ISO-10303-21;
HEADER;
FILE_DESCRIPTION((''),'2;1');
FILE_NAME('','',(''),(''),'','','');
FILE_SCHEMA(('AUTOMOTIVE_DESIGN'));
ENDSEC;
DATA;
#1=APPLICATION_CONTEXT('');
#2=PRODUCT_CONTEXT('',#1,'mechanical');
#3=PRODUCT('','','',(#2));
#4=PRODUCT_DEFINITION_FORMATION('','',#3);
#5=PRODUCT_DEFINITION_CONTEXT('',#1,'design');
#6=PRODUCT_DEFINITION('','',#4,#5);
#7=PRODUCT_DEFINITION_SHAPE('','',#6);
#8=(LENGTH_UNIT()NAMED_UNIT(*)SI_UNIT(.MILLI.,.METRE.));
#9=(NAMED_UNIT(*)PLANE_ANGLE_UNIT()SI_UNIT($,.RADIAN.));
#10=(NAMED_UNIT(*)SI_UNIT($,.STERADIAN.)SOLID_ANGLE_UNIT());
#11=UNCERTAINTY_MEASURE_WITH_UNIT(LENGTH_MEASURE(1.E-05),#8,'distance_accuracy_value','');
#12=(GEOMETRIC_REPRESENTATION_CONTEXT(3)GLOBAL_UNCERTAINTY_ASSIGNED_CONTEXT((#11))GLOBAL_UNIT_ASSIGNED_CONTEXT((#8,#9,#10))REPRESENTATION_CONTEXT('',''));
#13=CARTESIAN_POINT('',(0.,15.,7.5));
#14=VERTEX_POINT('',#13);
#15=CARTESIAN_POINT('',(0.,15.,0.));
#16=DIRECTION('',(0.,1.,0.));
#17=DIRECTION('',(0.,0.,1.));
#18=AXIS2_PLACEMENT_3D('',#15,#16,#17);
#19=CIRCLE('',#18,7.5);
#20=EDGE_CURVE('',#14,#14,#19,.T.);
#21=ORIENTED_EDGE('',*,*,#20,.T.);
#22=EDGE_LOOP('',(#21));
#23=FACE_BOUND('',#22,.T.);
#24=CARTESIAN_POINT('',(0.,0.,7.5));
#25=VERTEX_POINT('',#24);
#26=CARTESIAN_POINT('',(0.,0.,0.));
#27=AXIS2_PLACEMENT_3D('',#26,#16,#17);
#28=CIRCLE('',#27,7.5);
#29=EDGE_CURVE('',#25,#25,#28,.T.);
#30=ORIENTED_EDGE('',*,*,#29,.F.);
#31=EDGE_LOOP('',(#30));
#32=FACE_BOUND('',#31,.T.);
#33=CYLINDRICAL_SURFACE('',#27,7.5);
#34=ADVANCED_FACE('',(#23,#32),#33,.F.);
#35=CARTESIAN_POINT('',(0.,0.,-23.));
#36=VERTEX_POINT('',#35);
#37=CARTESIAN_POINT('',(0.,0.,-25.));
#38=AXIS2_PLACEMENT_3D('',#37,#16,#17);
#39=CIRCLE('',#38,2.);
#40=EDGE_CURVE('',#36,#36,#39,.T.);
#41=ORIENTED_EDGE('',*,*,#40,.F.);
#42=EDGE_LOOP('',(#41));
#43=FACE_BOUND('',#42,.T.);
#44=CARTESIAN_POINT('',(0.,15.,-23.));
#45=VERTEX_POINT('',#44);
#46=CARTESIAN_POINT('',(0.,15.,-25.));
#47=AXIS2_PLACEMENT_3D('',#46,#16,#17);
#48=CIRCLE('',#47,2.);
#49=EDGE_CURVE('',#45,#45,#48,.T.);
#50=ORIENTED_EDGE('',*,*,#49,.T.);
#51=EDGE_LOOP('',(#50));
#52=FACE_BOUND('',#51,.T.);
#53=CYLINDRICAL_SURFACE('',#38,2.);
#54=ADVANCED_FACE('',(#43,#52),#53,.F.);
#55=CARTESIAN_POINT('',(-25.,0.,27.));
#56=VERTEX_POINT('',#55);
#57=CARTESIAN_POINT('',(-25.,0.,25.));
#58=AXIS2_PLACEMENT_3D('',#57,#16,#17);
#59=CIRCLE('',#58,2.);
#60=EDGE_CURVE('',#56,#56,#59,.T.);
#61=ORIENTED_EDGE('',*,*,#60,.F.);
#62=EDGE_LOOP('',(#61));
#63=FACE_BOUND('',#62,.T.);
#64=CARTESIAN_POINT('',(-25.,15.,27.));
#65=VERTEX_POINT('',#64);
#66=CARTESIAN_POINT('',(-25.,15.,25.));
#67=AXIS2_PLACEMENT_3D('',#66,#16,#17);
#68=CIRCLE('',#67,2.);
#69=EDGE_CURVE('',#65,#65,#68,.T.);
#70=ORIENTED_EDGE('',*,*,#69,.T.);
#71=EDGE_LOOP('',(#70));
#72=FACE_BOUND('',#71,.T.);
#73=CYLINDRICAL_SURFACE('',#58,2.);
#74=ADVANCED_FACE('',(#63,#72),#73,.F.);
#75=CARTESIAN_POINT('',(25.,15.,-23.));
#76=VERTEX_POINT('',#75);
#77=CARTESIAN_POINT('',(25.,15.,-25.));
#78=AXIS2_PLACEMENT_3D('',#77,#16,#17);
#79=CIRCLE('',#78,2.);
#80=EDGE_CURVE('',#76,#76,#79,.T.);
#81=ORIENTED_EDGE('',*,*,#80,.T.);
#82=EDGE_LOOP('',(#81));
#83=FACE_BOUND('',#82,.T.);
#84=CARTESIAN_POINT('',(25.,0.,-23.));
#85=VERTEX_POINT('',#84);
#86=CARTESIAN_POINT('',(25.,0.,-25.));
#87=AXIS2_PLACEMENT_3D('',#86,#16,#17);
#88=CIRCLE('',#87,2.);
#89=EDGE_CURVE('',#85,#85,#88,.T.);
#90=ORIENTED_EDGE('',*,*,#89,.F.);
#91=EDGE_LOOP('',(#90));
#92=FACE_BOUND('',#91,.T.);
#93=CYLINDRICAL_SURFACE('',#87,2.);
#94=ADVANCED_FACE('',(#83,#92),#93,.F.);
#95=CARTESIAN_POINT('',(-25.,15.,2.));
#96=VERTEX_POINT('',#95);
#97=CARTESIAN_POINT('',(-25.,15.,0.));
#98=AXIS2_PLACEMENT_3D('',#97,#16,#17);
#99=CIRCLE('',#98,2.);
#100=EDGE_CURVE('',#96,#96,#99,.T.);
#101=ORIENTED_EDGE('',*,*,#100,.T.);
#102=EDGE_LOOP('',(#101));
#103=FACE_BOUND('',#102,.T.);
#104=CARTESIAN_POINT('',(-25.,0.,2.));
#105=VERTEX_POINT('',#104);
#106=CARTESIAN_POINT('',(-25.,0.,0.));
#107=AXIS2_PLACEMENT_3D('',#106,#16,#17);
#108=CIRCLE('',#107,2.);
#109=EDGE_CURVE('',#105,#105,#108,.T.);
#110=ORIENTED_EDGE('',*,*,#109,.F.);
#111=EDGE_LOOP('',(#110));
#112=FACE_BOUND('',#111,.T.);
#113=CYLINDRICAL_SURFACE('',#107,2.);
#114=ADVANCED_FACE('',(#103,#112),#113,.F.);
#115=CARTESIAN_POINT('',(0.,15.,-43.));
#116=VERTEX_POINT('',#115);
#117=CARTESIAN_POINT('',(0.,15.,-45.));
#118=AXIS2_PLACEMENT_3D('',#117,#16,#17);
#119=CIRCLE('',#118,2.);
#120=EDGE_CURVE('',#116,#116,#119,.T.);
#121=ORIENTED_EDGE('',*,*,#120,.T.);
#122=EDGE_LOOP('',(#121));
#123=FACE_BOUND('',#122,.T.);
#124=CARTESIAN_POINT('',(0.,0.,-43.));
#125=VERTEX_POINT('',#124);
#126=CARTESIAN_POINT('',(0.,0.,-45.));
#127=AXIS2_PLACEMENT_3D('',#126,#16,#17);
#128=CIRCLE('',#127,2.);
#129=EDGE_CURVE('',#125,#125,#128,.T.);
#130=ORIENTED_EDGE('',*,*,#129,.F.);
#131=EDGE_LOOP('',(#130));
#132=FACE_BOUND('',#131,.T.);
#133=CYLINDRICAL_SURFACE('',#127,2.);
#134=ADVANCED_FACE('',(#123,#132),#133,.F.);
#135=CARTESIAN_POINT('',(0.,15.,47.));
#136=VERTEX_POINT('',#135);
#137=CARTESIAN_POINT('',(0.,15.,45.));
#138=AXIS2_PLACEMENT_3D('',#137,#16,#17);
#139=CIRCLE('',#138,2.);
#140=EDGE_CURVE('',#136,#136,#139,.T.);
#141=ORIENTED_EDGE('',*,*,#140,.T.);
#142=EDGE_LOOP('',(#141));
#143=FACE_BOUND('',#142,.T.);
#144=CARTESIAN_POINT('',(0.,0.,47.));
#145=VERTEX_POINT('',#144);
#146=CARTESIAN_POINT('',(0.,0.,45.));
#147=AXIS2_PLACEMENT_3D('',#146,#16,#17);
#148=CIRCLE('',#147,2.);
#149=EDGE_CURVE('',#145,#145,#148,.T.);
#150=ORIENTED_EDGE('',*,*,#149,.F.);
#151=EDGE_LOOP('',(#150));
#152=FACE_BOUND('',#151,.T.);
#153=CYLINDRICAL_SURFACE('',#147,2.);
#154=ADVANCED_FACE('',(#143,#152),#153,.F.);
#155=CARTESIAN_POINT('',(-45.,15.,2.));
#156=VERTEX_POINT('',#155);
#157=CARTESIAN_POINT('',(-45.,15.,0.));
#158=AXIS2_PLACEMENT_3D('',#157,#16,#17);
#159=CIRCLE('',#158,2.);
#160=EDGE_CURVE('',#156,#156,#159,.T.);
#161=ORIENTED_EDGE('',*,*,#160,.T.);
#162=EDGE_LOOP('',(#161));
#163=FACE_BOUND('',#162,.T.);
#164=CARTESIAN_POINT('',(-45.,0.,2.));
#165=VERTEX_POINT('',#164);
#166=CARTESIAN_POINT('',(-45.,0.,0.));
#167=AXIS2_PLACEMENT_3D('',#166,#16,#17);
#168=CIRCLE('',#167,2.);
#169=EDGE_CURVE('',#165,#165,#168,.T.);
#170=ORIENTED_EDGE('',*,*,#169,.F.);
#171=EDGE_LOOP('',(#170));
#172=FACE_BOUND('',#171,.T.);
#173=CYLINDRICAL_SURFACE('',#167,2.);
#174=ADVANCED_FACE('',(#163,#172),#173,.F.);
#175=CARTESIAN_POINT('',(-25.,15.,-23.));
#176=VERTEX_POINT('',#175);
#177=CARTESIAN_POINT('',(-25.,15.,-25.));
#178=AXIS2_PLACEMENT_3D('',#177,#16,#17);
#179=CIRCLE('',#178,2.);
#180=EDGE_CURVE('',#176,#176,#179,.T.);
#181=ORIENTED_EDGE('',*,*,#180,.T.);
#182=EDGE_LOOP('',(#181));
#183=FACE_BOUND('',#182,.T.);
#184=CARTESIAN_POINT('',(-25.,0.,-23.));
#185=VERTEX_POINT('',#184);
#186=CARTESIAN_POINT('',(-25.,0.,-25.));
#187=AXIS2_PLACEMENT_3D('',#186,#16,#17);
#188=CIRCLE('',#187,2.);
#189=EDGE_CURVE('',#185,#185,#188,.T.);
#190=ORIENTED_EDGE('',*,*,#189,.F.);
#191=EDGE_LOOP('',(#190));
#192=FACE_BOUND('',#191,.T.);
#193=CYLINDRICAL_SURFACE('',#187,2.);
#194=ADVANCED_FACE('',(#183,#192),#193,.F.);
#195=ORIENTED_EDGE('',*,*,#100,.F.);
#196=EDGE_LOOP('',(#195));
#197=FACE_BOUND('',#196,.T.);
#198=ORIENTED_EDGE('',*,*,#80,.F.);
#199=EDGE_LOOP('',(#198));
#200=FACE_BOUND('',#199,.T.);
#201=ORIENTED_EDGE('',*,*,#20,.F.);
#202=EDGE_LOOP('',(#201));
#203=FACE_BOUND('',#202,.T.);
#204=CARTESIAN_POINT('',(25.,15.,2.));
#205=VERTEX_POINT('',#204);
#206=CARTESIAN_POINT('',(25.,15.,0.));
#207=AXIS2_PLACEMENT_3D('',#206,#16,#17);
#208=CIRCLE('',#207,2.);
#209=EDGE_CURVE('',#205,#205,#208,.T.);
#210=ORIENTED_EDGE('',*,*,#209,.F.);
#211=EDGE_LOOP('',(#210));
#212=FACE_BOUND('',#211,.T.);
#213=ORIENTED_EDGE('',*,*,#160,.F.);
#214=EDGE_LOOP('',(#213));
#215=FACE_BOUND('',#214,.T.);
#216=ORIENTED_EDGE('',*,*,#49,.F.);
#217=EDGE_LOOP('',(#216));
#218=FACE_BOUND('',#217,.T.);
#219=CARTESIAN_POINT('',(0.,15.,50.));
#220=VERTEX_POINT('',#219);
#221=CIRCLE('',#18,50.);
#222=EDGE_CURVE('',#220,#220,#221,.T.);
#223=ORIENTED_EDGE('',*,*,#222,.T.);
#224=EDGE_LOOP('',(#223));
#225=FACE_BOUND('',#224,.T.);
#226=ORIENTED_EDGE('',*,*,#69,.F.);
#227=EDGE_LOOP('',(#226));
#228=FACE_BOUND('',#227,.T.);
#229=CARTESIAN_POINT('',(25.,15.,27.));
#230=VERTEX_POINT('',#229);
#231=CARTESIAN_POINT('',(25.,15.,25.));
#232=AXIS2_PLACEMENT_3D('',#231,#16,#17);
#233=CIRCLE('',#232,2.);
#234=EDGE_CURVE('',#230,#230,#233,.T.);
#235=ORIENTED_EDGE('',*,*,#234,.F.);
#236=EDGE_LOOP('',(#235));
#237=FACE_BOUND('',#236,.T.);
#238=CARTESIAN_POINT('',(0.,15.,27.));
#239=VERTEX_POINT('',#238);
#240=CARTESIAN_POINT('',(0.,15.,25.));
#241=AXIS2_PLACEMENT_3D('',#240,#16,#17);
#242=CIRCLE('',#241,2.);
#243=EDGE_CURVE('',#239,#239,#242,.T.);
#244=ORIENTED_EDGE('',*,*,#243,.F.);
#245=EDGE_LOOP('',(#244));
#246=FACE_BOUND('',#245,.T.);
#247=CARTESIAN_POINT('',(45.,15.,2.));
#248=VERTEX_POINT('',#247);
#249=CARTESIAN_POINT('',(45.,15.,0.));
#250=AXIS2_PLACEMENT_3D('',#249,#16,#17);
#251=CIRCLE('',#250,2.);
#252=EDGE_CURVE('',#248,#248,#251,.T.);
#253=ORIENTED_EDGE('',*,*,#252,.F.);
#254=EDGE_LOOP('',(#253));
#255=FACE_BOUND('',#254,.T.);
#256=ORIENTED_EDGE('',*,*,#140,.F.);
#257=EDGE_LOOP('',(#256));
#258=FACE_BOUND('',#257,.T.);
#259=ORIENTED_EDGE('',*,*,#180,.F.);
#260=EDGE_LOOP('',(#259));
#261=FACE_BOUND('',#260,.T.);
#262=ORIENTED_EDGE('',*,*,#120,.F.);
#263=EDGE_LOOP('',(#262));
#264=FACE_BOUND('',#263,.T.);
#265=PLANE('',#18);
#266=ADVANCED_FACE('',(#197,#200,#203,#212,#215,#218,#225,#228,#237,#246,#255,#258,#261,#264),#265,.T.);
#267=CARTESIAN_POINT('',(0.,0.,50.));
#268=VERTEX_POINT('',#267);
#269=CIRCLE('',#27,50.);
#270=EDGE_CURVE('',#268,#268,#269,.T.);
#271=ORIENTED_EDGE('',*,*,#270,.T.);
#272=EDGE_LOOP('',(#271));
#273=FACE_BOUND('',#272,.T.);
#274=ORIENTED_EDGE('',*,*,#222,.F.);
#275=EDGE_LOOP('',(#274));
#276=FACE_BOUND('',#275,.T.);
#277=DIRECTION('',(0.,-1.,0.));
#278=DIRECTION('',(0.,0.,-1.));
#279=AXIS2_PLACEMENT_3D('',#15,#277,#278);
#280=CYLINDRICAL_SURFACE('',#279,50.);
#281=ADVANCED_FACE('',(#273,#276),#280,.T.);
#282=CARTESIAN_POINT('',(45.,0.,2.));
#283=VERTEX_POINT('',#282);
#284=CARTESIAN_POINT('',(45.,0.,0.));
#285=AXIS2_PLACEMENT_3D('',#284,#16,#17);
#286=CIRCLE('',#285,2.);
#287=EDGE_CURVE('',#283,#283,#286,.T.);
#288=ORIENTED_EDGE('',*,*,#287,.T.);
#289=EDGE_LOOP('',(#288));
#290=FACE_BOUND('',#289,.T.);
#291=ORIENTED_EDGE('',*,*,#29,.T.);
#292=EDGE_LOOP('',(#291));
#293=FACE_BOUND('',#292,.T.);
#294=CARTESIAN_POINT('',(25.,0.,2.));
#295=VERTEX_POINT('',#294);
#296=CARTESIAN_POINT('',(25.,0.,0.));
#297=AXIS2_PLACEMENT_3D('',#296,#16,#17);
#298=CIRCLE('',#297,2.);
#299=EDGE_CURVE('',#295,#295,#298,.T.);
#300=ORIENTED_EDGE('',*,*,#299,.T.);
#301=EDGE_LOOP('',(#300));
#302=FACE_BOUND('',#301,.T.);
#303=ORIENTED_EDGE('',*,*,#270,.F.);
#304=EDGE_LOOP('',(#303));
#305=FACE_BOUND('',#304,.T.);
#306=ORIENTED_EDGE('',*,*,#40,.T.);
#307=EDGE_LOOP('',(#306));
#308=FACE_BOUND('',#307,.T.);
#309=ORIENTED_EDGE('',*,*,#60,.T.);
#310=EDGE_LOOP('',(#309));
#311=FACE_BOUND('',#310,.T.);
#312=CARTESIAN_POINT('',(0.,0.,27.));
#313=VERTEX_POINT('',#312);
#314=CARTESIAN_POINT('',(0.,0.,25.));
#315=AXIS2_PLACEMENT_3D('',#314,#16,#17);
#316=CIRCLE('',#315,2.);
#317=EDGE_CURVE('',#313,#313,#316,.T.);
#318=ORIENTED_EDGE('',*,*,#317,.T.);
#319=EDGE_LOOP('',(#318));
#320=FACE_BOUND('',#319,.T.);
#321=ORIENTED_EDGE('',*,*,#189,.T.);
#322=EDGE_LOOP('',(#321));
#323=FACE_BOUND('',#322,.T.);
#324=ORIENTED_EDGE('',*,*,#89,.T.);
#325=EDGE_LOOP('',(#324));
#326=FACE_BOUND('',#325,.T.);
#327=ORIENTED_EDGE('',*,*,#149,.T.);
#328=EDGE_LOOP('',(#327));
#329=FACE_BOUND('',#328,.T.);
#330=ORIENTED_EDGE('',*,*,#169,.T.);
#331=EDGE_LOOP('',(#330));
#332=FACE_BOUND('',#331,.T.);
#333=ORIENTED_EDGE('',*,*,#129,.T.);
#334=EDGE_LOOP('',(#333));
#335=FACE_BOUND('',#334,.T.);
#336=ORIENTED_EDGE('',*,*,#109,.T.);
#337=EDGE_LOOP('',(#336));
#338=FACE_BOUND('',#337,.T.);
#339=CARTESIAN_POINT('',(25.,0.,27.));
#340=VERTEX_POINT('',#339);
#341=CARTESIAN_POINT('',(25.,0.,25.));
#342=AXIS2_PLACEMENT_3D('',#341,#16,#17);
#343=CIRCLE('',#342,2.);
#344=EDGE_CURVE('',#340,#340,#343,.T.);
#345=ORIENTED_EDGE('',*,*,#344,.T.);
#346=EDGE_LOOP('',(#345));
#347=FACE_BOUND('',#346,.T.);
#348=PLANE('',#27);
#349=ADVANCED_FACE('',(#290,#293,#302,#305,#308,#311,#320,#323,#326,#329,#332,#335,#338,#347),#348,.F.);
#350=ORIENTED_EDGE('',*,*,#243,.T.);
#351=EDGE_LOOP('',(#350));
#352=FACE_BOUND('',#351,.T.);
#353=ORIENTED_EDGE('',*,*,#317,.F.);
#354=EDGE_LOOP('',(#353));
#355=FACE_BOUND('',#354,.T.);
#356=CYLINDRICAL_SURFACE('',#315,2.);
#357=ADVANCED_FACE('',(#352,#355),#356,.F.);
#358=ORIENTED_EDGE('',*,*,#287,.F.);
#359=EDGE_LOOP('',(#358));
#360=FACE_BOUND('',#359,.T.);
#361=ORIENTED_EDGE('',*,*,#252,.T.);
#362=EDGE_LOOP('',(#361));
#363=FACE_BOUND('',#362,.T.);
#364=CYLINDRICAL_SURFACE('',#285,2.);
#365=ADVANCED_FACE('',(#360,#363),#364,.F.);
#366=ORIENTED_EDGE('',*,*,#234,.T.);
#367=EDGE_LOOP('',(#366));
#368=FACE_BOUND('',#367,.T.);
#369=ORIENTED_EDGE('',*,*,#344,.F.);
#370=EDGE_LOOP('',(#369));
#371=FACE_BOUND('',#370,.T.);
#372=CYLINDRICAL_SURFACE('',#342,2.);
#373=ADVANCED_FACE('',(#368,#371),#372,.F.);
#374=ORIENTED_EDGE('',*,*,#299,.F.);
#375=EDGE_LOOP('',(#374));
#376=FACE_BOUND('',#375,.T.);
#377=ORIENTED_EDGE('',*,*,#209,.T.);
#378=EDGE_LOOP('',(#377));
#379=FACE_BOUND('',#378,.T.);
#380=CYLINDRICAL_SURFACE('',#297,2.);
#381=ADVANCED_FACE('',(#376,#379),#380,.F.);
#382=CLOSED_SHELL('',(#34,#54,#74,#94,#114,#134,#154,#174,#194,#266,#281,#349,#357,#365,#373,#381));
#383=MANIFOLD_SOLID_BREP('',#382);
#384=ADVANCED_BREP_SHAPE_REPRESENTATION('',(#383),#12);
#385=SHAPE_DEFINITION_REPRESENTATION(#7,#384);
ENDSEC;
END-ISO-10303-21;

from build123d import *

# Parameters (mm, degrees)
SKETCH1_R           = 50
BOSS_EXTRUDE1_DEPTH = 15
SKETCH2_R           = 7.5
SKETCH2_R_2         = 2
CUT_EXTRUDE1_DEPTH  = 73.284161474


with BuildPart() as part:
    # Sketch1 → Boss-Extrude1 (new body)
    with BuildSketch(Plane(origin=(0, 0, 0), x_dir=(1, 0, 0), z_dir=(0, 1, 0))):
        with Locations(Location((0, 0, 0), (0, 0, 270))):
            Circle(SKETCH1_R)
    extrude(amount=BOSS_EXTRUDE1_DEPTH)

    # Sketch2 → Cut-Extrude1 (cut, through all)
    with BuildSketch(Plane(origin=(0, 15, 0), x_dir=(1, 0, 0), z_dir=(0, 1, 0))):
        with Locations(Location((0, 0, 0), (0, 0, 270))):
            Circle(SKETCH2_R)
        with Locations(Location((45, 0, 0), (0, 0, 270))):
            Circle(SKETCH2_R_2)
        with Locations(Location((0, -45, 0), (0, 0, 270))):
            Circle(SKETCH2_R_2)
        with Locations(Location((0, -25, 0), (0, 0, 270))):
            Circle(SKETCH2_R_2)
        with Locations(Location((25, -25, 0), (0, 0, 270))):
            Circle(SKETCH2_R_2)
        with Locations(Location((-25, -25, 0), (0, 0, 270))):
            Circle(SKETCH2_R_2)
        with Locations(Location((-25, 0, 0), (0, 0, 270))):
            Circle(SKETCH2_R_2)
        with Locations(Location((-45, 0, 0), (0, 0, 270))):
            Circle(SKETCH2_R_2)
        with Locations(Location((-25, 25, 0), (0, 0, 270))):
            Circle(SKETCH2_R_2)
        with Locations(Location((0, 45, 0), (0, 0, 270))):
            Circle(SKETCH2_R_2)
        with Locations(Location((0, 25, 0), (0, 0, 270))):
            Circle(SKETCH2_R_2)
        with Locations(Location((25, 25, 0), (0, 0, 270))):
            Circle(SKETCH2_R_2)
        with Locations(Location((25, 0, 0), (0, 0, 270))):
            Circle(SKETCH2_R_2)
    extrude(amount=-CUT_EXTRUDE1_DEPTH, mode=Mode.SUBTRACT)


solid = part.part
